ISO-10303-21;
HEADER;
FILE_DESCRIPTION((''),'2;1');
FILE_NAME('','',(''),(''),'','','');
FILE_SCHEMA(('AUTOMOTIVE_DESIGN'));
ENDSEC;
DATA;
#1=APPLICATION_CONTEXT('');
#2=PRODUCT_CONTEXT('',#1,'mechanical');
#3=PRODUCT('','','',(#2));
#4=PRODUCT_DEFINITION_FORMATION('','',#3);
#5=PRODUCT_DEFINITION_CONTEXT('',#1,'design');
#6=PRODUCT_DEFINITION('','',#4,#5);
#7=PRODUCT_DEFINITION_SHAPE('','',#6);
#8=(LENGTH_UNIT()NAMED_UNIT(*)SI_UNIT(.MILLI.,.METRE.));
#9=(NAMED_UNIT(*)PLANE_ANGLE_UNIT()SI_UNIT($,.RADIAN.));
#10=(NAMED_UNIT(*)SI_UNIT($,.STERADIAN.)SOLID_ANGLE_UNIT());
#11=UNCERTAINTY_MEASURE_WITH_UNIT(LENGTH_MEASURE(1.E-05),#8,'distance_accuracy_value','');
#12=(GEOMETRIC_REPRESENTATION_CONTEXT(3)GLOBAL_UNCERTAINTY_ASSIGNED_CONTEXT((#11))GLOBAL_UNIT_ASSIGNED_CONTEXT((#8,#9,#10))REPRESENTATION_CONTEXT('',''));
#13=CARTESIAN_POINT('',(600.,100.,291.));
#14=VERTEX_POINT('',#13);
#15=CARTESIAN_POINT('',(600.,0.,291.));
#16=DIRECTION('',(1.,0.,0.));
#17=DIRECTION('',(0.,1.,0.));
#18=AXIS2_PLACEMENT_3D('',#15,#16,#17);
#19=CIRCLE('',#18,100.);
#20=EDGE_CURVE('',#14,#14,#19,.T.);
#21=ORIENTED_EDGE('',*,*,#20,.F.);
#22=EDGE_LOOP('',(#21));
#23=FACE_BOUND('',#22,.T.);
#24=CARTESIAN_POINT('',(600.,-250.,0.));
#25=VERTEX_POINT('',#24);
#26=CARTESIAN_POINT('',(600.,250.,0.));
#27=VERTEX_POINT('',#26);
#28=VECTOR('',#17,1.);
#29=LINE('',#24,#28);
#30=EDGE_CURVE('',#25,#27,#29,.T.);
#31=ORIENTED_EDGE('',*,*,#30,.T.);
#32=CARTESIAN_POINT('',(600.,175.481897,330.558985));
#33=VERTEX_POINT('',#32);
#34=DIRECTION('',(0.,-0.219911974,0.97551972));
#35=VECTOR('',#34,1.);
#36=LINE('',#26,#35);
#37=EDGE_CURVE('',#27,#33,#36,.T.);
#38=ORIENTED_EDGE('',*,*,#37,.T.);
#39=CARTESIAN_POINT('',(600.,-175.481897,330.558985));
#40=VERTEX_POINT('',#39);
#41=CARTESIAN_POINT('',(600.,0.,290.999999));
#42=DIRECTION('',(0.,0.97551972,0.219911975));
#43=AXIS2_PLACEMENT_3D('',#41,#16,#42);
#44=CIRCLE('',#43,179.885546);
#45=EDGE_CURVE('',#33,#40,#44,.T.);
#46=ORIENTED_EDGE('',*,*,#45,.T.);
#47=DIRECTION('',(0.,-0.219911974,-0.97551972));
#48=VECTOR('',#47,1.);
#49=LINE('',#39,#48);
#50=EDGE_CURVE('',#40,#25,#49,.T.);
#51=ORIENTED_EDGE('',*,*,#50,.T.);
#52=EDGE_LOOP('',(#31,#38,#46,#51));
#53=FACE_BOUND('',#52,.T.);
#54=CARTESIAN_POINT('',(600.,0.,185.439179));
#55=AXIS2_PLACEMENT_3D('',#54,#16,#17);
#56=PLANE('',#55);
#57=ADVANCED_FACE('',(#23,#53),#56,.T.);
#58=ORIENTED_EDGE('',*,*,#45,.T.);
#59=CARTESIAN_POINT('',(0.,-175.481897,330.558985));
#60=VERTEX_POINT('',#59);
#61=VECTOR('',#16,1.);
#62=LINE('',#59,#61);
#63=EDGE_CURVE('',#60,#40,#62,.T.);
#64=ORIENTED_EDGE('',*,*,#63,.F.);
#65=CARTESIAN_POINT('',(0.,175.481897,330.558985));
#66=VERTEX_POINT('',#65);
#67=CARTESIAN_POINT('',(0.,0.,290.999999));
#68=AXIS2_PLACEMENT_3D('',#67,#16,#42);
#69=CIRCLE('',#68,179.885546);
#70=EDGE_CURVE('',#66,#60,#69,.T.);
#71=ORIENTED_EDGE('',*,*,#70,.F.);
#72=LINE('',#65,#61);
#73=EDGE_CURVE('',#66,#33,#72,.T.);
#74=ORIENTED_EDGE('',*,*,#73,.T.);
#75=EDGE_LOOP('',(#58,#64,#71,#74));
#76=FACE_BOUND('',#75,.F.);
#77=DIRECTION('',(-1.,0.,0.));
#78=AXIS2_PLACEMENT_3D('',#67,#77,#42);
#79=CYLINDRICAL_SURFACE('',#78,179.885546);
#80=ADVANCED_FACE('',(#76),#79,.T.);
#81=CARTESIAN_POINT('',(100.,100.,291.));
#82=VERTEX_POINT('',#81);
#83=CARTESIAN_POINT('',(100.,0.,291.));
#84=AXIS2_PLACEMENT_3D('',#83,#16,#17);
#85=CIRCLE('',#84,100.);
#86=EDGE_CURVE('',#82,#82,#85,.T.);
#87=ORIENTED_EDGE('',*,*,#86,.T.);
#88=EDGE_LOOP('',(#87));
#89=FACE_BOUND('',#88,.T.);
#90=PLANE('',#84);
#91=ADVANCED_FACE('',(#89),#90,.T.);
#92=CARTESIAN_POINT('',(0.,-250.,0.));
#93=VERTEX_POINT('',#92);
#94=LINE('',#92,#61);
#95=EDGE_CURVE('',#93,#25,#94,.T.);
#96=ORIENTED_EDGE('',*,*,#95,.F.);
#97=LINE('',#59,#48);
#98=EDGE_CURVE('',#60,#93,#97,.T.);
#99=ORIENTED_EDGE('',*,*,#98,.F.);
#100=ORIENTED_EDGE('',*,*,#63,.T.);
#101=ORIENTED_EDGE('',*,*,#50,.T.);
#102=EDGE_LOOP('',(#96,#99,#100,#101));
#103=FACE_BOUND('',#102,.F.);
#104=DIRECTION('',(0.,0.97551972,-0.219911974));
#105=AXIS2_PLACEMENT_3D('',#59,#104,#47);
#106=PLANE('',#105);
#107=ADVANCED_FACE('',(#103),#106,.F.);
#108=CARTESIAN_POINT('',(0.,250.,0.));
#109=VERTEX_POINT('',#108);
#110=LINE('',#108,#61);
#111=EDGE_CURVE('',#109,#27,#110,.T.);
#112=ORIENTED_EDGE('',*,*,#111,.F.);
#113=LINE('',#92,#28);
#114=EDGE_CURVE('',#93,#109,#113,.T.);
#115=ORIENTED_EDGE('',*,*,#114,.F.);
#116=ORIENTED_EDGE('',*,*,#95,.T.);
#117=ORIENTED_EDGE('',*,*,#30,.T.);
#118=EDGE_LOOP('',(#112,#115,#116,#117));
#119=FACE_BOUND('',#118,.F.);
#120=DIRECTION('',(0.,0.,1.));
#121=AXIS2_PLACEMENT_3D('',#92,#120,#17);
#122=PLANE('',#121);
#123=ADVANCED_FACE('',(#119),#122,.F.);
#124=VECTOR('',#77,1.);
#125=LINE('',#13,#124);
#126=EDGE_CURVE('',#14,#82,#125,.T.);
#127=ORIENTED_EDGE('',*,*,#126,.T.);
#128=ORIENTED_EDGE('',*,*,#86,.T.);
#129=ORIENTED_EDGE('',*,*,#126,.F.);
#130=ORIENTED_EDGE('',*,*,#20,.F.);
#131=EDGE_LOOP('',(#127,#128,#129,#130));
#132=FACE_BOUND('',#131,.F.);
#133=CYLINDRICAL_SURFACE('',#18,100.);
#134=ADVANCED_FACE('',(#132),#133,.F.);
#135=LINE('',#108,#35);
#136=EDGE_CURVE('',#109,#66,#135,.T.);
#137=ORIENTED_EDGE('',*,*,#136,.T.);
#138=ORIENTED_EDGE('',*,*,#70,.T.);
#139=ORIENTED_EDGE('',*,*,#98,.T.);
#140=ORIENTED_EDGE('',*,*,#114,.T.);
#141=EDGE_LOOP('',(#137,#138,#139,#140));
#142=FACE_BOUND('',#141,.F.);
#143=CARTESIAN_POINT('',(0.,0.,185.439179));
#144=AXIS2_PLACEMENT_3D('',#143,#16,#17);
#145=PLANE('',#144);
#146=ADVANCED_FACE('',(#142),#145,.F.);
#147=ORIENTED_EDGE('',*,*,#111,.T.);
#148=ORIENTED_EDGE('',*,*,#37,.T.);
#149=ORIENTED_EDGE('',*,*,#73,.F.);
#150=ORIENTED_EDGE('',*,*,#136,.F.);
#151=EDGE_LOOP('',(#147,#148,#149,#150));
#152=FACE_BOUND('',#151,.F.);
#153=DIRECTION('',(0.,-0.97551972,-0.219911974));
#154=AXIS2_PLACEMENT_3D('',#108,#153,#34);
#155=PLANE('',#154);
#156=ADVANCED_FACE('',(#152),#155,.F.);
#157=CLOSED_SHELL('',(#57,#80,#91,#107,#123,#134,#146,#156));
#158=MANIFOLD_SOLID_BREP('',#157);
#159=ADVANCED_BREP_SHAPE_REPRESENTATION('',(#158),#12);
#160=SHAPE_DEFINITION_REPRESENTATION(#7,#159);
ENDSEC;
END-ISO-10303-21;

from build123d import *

# Parameters (mm, degrees)
F1_DEPTH = 600
F2_R     = 100
F3_DEPTH = 500


with BuildPart() as f1:
    # F0 (on Right) → F1 (new body)
    with BuildSketch(Plane.YZ):
        with BuildLine():
            Line((250, 0), (175.481897, 330.558985))
            ThreePointArc((175.481897, 330.558985), (0, 470.885545), (-175.481897, 330.558985))
            Line((-175.481897, 330.558985), (-250, 0))
            Line((-250, 0), (250, 0))
        make_face()
    extrude(amount=F1_DEPTH)

    # F2 (on face) → F3 (cut)
    with BuildSketch(Plane.YZ.offset(600)):
        with Locations((0, 291)):
            Circle(F2_R)
    extrude(amount=-F3_DEPTH, mode=Mode.SUBTRACT)


solid = f1.part
